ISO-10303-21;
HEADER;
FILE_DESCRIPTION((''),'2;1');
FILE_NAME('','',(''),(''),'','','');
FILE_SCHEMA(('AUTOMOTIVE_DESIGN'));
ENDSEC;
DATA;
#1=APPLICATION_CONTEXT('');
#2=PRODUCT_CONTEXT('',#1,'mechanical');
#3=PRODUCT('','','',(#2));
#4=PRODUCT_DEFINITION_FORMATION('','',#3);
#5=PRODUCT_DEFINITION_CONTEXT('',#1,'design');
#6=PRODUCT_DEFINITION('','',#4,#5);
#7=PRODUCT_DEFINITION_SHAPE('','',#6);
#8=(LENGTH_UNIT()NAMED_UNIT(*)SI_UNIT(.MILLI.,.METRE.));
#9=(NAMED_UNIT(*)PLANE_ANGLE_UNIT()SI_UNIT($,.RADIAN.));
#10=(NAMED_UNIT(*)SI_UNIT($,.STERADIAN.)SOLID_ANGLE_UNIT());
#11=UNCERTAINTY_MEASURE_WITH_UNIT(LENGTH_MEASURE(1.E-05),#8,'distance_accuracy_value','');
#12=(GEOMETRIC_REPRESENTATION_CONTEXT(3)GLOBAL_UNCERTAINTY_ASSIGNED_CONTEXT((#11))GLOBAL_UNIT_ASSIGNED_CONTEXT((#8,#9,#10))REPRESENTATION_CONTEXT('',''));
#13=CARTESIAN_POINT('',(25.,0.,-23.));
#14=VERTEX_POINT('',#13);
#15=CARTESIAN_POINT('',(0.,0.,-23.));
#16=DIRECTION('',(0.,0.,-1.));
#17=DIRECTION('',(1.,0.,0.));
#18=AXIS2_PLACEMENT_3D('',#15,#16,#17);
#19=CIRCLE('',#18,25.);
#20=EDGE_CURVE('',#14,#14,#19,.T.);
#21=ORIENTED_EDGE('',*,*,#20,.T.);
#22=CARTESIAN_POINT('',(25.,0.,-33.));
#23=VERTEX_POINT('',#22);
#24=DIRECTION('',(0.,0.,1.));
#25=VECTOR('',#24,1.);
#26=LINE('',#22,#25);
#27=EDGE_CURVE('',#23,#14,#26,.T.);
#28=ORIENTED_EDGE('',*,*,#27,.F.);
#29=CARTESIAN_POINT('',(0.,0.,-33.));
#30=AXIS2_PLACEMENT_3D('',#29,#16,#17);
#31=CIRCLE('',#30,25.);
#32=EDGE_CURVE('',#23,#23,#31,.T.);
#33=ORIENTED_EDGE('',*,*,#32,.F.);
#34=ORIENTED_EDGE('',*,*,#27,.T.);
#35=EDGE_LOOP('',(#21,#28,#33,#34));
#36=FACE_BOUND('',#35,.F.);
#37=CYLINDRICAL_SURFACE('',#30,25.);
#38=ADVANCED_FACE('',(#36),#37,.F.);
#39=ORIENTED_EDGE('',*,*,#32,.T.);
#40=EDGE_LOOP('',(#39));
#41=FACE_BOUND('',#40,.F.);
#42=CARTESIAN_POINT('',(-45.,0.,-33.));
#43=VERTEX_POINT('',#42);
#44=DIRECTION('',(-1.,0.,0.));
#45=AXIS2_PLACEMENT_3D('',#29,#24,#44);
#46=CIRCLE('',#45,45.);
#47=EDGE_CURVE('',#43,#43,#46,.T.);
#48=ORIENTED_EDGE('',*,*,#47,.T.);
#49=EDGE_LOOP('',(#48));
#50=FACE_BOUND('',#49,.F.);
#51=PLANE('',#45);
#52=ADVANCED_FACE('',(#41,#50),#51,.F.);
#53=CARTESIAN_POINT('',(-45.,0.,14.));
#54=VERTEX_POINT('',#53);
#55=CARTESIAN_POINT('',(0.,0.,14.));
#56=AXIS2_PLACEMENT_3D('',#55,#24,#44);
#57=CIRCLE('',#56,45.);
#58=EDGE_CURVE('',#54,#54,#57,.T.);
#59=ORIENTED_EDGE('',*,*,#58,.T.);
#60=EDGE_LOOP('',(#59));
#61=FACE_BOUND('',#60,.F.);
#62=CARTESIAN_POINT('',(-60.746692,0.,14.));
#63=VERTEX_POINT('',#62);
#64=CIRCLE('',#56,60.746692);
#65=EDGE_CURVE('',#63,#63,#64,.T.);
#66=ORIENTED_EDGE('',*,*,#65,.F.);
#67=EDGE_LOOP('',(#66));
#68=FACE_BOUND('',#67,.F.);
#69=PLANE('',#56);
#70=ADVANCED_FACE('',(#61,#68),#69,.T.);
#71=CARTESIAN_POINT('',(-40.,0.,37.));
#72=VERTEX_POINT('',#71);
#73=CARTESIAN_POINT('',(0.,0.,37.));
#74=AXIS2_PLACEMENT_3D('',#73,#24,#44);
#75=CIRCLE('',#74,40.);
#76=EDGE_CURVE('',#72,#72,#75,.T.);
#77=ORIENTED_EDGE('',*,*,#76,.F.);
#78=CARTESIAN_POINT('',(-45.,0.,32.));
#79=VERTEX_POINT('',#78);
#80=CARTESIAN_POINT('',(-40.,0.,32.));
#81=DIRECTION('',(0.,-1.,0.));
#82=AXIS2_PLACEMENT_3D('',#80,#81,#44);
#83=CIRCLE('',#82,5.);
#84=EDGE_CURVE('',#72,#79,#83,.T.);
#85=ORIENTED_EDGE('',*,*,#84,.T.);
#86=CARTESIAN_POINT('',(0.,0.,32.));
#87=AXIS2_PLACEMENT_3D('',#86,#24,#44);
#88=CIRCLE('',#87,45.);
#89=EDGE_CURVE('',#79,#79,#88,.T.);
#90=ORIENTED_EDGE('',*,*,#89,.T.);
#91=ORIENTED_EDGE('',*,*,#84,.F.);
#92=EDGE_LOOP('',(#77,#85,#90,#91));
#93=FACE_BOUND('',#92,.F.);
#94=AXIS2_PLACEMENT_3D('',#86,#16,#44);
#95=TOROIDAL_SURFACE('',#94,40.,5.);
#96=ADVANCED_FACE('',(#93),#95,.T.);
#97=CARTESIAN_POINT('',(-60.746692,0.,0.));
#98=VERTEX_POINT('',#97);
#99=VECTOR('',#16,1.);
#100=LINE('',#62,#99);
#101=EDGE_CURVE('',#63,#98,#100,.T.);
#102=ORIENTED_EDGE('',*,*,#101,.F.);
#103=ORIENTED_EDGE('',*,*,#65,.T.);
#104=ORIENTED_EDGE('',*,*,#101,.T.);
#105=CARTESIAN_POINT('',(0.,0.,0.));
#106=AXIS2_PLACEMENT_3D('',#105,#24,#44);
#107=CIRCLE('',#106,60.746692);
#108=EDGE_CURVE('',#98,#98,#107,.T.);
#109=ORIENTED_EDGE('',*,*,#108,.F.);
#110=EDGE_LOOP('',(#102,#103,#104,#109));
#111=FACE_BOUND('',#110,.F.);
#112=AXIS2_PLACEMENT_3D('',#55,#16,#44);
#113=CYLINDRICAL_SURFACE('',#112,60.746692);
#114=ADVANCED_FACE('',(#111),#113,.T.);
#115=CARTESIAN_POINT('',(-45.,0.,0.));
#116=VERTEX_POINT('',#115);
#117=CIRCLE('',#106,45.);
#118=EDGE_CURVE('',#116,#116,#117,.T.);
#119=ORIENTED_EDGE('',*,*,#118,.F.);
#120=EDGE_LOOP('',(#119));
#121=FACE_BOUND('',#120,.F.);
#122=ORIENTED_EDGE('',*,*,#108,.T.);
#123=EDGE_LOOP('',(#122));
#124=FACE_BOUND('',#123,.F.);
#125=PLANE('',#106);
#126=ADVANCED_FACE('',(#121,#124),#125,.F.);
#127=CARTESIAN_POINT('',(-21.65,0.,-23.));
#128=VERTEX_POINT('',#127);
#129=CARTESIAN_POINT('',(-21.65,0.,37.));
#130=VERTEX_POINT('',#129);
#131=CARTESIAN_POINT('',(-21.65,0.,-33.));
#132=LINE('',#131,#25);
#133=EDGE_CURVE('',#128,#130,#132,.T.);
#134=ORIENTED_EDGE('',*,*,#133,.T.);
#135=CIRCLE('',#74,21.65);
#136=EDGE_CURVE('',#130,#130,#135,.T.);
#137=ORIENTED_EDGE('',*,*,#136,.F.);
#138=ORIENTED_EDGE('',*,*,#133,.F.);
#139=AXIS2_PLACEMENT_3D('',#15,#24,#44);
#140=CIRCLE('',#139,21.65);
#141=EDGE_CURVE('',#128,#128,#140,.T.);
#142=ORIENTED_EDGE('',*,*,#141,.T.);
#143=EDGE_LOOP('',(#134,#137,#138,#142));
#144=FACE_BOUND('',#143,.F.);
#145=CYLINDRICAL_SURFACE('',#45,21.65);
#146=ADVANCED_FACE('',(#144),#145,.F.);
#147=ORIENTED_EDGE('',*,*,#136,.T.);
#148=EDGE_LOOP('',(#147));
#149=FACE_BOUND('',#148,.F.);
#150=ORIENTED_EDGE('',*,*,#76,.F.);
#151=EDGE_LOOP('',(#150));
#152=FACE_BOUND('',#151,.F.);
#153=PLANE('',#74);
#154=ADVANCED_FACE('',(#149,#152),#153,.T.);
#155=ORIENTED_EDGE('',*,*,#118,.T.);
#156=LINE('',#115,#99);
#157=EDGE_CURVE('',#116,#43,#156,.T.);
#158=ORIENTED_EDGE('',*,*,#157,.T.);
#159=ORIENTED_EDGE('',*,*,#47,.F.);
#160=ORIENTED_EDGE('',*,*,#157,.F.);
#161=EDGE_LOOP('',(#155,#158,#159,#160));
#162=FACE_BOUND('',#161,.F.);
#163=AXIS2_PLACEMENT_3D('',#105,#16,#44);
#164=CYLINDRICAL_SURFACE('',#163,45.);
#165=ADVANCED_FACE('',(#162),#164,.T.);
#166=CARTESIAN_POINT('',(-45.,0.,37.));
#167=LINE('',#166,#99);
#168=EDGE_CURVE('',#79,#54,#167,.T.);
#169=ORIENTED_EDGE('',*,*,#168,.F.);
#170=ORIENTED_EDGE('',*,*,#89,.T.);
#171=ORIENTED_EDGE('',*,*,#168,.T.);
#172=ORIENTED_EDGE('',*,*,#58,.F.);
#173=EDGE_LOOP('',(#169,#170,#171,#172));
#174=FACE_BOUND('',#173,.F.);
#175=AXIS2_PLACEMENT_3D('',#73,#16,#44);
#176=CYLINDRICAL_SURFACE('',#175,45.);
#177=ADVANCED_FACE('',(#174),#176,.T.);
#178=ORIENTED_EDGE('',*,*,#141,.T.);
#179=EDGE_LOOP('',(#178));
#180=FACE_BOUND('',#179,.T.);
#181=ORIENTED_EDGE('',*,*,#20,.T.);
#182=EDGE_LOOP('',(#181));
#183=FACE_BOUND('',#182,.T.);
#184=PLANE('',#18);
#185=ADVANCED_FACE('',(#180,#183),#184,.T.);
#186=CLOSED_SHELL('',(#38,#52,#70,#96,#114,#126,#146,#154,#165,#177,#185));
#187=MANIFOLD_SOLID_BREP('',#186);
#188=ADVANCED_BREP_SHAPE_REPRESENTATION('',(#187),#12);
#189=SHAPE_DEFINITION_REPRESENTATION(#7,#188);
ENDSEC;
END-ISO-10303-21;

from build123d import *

# Parameters (mm, degrees)
F2_R     = 5
F3_R     = 25
F4_DEPTH = 10


with BuildPart() as f1:
    # F0 (on Front) → F1 (revolve)
    with BuildSketch(Plane.XZ):
        Polygon((-60.746692, 14), (-60.746692, 0), (-45, 0), (-45, -33), (-21.65, -33), (-21.65, 37), (-45, 37), (-45, 14), align=None)
    revolve(axis=Axis((0, 0, 28.312229), (0, 0, 1)))

    # F2
    f2_edges = [f1.edges().sort_by_distance(p)[0] for p in [
        (45, 0, 37),
    ]]
    fillet(f2_edges, radius=F2_R)

    # F3 (on face) → F4 (cut)
    with BuildSketch(Plane(origin=(0, 0, -33), x_dir=(1, 0, 0), z_dir=(0, 0, -1))):
        Circle(F3_R)
    extrude(amount=-F4_DEPTH, mode=Mode.SUBTRACT)


solid = f1.part
